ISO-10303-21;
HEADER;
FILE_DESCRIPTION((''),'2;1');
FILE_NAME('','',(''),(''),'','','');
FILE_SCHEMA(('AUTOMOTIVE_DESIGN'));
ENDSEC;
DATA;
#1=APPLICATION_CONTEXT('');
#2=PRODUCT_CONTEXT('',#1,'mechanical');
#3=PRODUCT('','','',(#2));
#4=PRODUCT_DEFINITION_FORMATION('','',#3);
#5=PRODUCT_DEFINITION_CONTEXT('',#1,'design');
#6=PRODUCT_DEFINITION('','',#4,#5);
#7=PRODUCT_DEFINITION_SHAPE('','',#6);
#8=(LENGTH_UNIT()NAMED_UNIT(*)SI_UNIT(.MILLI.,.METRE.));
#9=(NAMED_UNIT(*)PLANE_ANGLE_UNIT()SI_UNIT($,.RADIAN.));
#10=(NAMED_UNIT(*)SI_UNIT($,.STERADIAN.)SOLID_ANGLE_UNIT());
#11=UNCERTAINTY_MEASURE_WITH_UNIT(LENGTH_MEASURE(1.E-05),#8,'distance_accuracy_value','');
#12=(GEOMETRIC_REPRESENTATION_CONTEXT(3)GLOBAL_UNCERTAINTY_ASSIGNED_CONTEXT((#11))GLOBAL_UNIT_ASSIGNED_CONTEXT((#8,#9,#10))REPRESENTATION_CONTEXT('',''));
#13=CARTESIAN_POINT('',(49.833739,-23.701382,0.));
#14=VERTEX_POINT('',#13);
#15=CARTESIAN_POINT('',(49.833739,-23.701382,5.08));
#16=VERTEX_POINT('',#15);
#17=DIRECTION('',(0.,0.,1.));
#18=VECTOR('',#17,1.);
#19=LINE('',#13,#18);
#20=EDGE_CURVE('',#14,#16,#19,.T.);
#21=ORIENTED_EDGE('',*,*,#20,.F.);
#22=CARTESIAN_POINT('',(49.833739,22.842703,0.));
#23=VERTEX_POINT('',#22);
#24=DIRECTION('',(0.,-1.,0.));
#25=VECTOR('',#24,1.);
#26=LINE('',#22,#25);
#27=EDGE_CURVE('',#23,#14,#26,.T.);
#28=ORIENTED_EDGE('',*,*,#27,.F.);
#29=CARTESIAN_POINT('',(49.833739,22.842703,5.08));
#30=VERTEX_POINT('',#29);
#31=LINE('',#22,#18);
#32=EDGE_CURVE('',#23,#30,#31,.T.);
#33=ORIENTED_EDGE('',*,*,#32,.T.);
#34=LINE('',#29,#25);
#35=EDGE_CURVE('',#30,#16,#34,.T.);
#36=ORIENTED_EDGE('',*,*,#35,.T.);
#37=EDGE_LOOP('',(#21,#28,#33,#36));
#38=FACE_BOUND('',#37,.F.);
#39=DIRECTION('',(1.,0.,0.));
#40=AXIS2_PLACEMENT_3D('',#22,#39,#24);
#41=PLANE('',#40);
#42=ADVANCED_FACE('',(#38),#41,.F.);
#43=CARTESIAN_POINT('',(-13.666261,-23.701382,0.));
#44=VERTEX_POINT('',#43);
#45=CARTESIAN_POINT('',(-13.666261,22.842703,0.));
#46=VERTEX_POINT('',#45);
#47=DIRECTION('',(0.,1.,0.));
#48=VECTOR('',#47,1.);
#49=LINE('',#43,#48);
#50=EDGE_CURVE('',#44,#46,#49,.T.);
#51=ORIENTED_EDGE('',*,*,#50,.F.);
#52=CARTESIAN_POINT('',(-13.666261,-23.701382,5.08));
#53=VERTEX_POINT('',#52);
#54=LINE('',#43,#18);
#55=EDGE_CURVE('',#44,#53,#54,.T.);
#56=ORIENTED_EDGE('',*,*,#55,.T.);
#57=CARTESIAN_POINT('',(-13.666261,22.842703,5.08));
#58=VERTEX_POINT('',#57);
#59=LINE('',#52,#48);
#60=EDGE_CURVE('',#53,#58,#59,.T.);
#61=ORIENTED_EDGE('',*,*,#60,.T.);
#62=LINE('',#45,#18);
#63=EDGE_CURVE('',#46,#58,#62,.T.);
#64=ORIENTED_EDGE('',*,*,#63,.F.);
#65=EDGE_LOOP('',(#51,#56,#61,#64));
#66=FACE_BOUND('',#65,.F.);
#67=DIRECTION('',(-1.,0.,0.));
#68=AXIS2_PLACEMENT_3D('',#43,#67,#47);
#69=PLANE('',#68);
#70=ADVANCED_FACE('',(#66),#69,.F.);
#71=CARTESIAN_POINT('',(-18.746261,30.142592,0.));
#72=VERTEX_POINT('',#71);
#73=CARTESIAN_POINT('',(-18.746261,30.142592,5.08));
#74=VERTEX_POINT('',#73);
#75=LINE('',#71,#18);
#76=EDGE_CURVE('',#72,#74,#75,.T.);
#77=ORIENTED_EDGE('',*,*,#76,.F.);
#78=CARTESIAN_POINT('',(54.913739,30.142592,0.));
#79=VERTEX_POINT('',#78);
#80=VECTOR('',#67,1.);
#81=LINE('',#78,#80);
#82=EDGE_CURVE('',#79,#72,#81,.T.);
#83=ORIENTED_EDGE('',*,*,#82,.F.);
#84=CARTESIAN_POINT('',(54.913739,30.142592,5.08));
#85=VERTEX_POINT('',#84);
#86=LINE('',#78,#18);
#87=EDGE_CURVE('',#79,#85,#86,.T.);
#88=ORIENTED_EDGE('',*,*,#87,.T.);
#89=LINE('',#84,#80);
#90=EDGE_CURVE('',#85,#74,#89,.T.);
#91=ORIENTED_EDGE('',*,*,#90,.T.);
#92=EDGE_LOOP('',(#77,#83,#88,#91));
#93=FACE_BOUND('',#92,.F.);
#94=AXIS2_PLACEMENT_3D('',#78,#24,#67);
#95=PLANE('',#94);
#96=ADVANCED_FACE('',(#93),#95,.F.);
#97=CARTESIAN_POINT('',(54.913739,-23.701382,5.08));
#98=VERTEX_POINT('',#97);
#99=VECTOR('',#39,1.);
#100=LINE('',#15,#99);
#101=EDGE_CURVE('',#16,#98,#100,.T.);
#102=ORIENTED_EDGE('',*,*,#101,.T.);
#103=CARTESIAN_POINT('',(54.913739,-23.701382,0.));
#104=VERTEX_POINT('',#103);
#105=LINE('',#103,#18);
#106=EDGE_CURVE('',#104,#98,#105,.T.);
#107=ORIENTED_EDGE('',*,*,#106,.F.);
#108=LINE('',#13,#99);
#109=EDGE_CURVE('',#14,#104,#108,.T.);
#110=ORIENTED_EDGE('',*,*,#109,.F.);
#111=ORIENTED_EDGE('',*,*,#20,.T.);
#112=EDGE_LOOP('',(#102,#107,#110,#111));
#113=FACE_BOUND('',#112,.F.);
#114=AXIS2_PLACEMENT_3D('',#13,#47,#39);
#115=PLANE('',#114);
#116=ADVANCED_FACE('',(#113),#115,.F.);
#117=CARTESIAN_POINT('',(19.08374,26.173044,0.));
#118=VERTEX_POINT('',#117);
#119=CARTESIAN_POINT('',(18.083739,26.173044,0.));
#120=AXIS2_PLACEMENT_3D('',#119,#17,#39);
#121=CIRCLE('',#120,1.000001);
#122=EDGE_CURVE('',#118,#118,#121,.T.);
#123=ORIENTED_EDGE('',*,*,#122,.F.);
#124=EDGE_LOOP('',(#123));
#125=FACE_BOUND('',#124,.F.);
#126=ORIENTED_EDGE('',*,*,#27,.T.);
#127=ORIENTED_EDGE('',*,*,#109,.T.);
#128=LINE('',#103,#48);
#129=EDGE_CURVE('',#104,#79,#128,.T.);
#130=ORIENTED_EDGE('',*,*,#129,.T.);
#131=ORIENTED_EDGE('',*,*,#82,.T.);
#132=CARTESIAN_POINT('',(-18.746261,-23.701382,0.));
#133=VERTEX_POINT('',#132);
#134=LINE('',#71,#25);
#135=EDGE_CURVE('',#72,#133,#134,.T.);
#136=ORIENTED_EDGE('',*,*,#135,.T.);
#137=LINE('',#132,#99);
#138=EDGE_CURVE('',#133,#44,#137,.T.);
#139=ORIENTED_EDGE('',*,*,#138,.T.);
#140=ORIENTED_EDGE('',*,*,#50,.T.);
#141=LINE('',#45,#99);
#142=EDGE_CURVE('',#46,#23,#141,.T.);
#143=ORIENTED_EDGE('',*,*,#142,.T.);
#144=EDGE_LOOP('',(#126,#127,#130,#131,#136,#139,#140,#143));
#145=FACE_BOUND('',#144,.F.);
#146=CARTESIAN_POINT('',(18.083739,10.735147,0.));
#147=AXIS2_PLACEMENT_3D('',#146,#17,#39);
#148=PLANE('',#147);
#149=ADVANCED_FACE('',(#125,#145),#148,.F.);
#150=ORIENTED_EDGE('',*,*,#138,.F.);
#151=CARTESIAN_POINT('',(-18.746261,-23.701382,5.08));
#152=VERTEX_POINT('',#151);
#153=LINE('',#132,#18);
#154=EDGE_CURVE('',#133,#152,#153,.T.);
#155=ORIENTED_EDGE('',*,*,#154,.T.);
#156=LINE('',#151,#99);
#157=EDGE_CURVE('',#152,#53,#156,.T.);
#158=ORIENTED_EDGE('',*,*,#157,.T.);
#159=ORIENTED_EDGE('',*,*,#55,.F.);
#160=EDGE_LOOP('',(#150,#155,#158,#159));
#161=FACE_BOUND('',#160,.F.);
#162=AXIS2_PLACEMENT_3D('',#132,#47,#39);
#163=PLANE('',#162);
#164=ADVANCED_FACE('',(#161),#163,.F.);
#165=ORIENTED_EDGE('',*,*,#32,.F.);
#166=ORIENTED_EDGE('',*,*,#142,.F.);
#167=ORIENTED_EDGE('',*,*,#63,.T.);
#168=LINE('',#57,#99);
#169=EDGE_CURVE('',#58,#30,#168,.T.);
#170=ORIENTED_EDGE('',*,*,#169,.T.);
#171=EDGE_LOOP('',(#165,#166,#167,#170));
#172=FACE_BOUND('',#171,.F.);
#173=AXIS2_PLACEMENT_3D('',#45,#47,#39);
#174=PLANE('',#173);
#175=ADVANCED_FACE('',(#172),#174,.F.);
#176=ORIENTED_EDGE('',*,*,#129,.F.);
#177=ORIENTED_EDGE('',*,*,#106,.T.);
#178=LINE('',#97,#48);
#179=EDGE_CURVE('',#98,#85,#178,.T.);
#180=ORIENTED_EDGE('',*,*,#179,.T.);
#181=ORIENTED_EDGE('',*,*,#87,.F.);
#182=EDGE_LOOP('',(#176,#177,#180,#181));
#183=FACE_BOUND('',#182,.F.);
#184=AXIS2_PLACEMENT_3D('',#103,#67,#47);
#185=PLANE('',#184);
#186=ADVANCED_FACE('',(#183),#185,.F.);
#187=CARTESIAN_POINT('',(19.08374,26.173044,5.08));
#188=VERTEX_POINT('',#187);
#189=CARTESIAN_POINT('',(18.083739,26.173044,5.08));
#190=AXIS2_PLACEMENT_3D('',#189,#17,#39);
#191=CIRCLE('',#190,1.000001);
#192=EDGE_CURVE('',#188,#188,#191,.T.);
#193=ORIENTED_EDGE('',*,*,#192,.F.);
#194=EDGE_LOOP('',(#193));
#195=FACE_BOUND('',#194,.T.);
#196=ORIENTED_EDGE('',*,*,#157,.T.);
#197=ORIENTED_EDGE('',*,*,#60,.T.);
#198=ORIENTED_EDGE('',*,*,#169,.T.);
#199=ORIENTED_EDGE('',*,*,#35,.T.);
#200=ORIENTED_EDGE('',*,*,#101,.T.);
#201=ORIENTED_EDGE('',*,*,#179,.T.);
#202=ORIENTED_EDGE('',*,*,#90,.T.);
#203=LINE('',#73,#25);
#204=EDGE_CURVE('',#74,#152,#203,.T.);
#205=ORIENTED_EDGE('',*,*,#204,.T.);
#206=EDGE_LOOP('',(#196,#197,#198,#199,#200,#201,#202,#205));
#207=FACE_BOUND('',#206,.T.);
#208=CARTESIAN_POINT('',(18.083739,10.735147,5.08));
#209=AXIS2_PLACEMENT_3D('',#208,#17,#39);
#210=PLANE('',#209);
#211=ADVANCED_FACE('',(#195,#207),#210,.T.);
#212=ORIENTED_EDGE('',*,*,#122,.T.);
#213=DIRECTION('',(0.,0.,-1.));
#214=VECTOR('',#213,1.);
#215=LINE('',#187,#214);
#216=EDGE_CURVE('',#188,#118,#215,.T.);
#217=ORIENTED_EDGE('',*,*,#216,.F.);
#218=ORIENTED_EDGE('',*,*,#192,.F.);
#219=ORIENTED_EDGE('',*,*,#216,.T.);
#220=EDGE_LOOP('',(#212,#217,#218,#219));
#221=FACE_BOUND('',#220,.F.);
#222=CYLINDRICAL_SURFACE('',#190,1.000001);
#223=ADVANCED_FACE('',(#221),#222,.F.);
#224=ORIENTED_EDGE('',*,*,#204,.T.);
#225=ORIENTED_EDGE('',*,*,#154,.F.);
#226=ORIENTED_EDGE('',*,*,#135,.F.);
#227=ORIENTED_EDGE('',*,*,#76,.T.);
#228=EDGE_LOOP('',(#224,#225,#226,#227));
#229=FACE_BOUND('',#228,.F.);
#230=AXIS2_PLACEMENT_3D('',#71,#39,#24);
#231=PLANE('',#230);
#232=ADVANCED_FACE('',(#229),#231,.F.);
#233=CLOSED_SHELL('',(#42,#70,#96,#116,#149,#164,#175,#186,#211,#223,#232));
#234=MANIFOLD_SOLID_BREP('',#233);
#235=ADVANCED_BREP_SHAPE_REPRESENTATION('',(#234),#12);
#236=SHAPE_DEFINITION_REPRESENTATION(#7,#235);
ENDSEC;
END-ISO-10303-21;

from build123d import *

# Parameters (mm, degrees)
F1_DEPTH = 5.08
F2_R     = 1.000001
F3_DEPTH = 25.4


with BuildPart() as f1:
    # F0 (on Top) → F1 (new body)
    with BuildSketch(Plane.XY):
        Polygon((-18.746261, 30.142592), (-18.746261, -23.701382), (-13.666261, -23.701382), (-13.666261, 22.842703), (49.833739, 22.842703), (49.833739, -23.701382), (54.913739, -23.701382), (54.913739, 30.142592), align=None)
    extrude(amount=F1_DEPTH)

    # F2 (on face) → F3 (cut)
    with BuildSketch(Plane.XY.offset(5.08)):
        with Locations((18.083739, 26.173044)):
            Circle(F2_R)
    extrude(amount=-F3_DEPTH, mode=Mode.SUBTRACT)


solid = f1.part
